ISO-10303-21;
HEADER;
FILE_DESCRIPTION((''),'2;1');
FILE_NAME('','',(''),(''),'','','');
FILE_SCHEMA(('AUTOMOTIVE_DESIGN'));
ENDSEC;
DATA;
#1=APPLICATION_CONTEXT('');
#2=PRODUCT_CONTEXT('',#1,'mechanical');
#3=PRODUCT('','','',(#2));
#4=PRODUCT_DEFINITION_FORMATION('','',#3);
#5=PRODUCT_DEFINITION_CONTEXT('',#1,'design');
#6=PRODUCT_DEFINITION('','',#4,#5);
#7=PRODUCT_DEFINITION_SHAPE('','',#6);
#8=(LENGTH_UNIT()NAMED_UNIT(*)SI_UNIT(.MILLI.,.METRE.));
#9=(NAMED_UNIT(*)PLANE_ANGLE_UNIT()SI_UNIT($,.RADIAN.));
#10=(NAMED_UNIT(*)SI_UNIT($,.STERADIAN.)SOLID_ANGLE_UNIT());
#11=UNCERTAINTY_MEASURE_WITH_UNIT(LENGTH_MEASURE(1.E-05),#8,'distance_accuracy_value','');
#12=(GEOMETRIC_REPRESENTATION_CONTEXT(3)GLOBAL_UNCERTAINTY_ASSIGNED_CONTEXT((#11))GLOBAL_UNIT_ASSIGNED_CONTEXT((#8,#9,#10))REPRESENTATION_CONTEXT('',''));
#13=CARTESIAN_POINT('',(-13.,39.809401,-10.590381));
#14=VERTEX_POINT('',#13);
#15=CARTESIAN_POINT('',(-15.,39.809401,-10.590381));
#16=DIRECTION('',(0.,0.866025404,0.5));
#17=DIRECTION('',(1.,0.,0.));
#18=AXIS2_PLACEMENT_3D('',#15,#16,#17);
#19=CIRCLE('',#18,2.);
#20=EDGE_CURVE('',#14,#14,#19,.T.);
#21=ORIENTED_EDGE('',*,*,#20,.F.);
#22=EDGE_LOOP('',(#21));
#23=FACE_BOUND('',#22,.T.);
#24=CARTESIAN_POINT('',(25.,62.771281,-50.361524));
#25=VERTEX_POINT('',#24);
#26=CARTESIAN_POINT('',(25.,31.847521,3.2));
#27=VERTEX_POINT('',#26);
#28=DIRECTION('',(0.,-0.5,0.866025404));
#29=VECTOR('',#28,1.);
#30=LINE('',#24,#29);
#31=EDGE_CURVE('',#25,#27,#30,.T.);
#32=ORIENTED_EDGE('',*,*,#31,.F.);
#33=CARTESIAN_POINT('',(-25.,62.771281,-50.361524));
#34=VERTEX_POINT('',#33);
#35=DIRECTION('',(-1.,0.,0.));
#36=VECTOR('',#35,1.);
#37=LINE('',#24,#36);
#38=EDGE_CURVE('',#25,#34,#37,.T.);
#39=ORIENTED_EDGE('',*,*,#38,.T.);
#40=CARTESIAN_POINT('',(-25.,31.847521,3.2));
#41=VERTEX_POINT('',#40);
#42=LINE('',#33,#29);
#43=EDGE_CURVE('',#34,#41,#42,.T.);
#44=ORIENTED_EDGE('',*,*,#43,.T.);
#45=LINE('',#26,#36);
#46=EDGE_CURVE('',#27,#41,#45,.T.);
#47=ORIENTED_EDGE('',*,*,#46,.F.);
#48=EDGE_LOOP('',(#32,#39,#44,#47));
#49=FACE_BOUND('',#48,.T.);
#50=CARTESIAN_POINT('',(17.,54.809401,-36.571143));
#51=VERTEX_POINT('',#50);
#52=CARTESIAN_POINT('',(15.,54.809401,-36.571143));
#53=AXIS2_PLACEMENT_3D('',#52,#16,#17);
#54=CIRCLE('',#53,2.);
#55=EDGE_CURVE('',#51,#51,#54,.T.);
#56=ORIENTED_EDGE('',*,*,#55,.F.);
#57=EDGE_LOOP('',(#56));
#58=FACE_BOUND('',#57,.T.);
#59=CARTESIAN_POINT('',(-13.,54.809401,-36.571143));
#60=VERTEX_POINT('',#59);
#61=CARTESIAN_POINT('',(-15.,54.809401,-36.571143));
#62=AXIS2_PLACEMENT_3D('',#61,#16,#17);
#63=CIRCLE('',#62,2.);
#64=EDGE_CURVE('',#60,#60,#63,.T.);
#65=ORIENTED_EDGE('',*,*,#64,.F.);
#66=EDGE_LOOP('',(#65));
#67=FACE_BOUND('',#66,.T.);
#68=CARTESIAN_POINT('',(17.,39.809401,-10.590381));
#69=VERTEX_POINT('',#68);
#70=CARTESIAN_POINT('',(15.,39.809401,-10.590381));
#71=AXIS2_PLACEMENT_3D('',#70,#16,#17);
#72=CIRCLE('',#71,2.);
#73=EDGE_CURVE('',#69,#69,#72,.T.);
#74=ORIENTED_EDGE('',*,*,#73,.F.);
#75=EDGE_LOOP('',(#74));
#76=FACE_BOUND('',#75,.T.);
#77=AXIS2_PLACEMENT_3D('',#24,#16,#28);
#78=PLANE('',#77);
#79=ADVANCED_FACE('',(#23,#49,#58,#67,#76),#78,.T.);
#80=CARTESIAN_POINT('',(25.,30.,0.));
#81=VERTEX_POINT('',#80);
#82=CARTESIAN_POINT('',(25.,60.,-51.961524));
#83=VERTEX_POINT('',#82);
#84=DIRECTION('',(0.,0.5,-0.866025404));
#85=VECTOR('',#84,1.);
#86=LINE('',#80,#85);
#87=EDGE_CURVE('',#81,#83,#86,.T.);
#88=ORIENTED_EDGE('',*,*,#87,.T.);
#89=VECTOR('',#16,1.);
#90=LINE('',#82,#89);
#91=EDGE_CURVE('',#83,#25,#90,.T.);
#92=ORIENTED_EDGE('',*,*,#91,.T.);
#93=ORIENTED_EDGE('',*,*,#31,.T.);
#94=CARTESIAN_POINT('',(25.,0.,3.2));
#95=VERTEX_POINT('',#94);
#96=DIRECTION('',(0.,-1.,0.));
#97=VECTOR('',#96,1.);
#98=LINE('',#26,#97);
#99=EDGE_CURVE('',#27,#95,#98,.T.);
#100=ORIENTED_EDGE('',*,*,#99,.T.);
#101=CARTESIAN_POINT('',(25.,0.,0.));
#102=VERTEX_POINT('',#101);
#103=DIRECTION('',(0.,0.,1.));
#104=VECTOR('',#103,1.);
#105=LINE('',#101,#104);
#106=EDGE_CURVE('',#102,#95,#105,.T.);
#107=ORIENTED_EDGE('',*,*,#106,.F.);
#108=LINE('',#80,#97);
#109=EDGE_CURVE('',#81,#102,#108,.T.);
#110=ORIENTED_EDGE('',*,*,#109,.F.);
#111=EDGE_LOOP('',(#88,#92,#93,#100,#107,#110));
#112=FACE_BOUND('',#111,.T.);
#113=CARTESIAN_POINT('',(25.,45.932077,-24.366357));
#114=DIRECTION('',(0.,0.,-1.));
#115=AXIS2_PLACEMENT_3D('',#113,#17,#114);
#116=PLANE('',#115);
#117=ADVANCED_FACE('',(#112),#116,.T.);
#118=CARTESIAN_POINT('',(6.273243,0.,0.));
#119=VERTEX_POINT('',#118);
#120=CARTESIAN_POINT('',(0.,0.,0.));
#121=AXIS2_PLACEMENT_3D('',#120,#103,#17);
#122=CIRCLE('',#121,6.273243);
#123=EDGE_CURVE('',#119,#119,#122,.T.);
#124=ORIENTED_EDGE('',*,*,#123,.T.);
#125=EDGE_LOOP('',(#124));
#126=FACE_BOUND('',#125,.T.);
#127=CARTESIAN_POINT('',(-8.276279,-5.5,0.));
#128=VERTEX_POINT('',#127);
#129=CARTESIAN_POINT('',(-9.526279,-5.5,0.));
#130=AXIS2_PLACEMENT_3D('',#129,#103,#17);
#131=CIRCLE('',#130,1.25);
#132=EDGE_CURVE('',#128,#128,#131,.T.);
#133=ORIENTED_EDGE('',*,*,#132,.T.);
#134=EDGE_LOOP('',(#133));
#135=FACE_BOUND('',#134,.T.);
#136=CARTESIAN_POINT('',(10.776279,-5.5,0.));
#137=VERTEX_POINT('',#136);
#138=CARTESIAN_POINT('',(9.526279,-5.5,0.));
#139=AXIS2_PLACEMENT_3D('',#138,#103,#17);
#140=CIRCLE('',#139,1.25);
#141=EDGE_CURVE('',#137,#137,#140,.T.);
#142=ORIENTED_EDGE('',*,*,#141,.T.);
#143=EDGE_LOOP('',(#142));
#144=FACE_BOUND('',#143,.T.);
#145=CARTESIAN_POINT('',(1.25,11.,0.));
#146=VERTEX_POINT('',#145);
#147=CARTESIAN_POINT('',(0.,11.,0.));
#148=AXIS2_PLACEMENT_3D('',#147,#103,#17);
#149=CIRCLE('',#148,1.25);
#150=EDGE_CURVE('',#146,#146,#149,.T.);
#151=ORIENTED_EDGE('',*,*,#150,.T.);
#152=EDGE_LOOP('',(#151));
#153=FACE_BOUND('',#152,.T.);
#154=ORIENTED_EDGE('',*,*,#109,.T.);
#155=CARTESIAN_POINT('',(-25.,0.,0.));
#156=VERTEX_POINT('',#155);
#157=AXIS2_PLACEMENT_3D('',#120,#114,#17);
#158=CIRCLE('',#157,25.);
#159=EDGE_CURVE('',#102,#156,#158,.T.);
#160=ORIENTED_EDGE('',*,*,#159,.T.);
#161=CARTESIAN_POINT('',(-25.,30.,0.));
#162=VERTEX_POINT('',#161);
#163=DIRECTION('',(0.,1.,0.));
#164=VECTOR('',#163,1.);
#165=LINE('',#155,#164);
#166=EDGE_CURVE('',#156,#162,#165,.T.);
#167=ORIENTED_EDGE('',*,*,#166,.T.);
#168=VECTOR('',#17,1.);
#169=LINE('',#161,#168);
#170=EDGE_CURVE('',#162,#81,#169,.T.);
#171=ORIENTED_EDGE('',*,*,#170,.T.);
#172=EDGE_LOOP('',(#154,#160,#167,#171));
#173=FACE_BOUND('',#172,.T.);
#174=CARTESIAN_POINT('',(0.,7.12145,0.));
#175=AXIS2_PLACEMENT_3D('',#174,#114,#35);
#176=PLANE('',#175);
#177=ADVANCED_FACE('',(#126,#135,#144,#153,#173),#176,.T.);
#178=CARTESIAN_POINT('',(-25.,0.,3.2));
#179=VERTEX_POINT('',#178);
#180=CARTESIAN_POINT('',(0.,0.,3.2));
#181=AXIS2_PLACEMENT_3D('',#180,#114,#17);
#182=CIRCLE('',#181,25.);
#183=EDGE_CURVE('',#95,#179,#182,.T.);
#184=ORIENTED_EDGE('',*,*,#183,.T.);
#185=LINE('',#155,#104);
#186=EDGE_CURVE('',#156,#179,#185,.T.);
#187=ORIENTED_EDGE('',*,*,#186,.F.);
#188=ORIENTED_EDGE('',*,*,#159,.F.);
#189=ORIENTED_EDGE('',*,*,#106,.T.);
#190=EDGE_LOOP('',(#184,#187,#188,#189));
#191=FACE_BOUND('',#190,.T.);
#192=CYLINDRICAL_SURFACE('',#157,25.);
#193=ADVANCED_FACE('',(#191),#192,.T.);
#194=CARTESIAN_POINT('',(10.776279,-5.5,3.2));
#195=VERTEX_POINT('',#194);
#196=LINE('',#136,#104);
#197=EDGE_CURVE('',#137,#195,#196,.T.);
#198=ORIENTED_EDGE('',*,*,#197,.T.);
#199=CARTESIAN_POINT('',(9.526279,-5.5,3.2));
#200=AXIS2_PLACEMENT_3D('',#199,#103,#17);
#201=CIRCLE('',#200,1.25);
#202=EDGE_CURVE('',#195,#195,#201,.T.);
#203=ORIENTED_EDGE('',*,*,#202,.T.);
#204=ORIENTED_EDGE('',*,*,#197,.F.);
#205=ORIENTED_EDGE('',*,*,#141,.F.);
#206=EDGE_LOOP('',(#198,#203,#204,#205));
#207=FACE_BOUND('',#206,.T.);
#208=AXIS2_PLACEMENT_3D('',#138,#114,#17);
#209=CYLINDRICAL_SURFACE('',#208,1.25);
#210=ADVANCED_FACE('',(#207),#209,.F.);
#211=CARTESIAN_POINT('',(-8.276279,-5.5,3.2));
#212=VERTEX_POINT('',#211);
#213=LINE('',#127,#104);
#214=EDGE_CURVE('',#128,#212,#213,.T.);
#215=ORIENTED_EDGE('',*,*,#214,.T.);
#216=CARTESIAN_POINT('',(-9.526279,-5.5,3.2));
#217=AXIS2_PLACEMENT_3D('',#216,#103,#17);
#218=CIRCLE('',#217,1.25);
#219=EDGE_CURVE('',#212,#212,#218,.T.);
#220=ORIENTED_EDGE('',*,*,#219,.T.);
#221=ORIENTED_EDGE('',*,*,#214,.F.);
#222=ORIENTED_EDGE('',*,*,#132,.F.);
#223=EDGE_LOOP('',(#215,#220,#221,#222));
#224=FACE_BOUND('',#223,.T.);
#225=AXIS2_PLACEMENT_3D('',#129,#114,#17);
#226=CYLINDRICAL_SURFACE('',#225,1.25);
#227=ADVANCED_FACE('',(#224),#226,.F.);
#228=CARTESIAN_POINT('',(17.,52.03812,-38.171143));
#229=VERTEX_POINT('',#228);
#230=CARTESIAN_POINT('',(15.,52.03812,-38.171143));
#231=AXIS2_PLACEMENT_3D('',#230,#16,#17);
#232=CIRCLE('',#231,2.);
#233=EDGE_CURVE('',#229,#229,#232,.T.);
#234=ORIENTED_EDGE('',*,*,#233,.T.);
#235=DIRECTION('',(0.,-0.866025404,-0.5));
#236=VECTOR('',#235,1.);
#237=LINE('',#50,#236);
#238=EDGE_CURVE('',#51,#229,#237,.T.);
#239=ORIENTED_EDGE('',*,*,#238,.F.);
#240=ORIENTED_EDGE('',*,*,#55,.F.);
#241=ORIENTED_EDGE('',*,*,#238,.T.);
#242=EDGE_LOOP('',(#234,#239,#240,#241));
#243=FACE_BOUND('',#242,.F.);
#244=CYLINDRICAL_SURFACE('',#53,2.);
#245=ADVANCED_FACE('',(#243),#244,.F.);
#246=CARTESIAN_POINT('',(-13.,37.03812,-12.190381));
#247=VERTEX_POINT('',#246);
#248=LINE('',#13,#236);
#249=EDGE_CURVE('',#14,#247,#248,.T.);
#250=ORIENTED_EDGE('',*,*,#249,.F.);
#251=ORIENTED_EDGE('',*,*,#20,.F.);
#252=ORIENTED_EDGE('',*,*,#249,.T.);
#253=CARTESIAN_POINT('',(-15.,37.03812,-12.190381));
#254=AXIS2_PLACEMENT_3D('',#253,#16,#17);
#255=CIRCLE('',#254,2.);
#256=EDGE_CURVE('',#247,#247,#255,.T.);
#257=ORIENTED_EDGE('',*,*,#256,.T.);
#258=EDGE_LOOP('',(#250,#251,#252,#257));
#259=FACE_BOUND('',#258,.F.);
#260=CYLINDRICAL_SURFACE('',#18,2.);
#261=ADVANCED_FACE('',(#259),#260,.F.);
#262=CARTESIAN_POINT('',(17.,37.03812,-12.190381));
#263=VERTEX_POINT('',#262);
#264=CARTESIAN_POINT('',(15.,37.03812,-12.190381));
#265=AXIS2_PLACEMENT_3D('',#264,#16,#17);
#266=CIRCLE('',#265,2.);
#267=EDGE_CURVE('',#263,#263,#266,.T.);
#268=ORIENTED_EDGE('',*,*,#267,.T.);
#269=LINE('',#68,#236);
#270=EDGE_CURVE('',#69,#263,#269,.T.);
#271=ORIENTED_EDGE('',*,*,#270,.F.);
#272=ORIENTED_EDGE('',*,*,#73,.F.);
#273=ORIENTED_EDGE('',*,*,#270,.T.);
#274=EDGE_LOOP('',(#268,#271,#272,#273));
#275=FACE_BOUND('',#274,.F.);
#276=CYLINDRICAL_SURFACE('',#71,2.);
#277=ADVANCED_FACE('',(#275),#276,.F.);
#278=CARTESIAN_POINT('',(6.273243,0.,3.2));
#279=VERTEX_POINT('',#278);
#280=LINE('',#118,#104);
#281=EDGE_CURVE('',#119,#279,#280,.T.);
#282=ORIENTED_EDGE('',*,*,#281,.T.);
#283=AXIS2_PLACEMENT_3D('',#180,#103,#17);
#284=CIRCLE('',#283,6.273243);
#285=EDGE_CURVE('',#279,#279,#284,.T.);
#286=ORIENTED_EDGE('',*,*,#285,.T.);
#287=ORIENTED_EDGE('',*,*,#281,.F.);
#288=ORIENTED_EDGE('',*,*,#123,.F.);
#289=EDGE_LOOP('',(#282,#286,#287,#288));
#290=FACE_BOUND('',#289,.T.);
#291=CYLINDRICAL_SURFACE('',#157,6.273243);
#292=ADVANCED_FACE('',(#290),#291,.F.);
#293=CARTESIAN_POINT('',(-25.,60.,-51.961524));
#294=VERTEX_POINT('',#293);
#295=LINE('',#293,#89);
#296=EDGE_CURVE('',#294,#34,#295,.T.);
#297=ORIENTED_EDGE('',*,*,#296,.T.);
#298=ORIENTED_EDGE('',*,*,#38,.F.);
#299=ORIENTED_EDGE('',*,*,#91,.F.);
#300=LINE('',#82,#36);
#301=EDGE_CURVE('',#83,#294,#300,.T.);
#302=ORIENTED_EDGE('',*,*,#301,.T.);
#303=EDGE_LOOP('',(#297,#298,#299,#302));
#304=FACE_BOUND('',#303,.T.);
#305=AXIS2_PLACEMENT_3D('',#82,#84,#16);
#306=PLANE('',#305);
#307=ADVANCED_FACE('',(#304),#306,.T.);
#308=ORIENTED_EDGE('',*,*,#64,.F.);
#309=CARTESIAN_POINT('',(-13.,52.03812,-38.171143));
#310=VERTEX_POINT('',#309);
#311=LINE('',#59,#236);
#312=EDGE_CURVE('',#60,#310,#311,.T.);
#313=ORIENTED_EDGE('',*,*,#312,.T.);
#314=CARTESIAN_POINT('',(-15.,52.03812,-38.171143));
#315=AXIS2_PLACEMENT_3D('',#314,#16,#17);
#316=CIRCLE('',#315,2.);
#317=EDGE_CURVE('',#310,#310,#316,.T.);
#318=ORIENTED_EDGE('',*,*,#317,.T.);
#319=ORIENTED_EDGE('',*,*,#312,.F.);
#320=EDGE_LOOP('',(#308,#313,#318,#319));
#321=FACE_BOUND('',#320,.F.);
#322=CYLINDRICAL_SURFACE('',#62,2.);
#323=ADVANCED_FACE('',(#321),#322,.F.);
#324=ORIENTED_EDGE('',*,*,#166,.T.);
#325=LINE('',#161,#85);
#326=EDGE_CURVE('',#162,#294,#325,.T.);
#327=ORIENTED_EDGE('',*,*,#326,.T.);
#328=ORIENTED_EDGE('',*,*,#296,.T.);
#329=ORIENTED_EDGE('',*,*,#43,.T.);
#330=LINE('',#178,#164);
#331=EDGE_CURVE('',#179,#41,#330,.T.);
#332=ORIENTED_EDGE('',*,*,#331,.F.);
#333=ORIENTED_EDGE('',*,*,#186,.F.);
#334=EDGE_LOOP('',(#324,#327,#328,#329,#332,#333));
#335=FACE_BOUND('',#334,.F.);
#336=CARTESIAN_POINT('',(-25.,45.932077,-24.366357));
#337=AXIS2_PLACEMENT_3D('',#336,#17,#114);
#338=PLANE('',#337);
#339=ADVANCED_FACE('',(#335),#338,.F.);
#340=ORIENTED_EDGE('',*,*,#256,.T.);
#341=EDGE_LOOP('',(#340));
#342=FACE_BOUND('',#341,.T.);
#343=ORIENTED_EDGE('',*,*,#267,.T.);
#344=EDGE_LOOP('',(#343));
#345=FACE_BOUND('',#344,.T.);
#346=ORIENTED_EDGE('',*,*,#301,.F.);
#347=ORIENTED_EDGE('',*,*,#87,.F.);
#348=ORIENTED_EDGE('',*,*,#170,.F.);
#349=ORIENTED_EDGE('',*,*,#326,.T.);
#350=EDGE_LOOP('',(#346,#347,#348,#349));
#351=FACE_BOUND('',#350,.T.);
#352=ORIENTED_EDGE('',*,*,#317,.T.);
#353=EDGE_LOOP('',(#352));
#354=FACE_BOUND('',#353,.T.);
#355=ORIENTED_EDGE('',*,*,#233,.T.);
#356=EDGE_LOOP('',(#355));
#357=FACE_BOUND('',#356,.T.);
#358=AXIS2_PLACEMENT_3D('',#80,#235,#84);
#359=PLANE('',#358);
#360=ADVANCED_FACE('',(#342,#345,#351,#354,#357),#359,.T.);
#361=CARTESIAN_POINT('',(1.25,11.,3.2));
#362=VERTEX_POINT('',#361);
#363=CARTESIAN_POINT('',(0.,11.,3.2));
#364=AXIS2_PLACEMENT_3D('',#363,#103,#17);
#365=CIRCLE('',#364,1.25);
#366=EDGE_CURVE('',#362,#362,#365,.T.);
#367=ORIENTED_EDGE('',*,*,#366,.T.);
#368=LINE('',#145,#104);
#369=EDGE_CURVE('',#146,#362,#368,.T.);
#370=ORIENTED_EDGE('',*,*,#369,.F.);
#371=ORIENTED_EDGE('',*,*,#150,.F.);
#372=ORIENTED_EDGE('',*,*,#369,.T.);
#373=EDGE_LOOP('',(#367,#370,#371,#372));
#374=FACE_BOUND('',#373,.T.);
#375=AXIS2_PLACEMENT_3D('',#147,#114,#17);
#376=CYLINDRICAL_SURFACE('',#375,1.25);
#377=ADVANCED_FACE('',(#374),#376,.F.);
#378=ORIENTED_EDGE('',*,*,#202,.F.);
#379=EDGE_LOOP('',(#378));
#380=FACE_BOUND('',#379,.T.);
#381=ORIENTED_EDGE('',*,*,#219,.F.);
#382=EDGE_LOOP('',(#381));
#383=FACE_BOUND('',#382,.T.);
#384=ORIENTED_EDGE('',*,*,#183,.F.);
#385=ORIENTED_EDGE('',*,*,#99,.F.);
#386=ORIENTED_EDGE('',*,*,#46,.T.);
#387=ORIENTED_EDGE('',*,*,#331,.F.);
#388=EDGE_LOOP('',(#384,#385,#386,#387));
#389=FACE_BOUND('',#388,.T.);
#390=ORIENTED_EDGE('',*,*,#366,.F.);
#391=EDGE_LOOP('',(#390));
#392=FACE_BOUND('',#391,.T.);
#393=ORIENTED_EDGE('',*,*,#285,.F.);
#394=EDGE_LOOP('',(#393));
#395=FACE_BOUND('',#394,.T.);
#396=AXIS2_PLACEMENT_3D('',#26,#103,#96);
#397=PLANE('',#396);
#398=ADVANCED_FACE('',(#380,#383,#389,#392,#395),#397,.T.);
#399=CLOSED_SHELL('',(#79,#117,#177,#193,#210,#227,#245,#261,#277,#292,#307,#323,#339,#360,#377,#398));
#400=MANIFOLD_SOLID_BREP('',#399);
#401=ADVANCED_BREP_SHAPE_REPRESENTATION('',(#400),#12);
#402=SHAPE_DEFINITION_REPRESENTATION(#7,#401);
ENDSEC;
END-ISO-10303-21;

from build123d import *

# Parameters (mm, degrees)
SKETCH1_R           = 6.273243026
SKETCH1_R_2         = 1.25
BOSS_EXTRUDE1_DEPTH = 3.2
BOSS_EXTRUDE2_DEPTH = 50
CUT_EXTRUDE1_REACH  = 78.812
SKETCH3_R           = 2


with BuildPart() as part:
    # Sketch1 → Boss-Extrude1 (new body)
    with BuildSketch(Plane.XY):
        with BuildLine():
            Line((-25, 0), (-25, 30))
            Line((-25, 30), (25, 30))
            Line((25, 30), (25, 0))
            ThreePointArc((25, 0), (0, -25), (-25, 0))
        make_face()
        Circle(SKETCH1_R, mode=Mode.SUBTRACT)
        with Locations((0, 11)):
            Circle(SKETCH1_R_2, mode=Mode.SUBTRACT)
        with Locations((9.526279442, -5.5)):
            Circle(SKETCH1_R_2, mode=Mode.SUBTRACT)
        with Locations((-9.526279442, -5.5)):
            Circle(SKETCH1_R_2, mode=Mode.SUBTRACT)
    extrude(amount=BOSS_EXTRUDE1_DEPTH)

    # Sketch2 → Boss-Extrude2 (add)
    with BuildSketch(Plane(origin=(25, 0, 0), x_dir=(0, 0, -1), z_dir=(1, 0, 0))):
        Polygon((0, 30), (51.961524227, 60), (50.361524227, 62.771281292), (-3.2, 31.847520861), (-3.2, 30), align=None)
    extrude(amount=-BOSS_EXTRUDE2_DEPTH)

    # Sketch3 → Cut-Extrude1 (cut, up to next)
    with BuildSketch(Plane(origin=(0, 25.271281292, 14.590381057), x_dir=(1, 0, 0), z_dir=(0, 0.866025404, 0.5)), mode=Mode.PRIVATE) as cut_extrude1_sk1:
        with Locations((15, 59.076239569)):
            Circle(SKETCH3_R)
    cut_extrude1_tool1 = extrude(cut_extrude1_sk1.sketch, amount=-CUT_EXTRUDE1_REACH, mode=Mode.PRIVATE) & part.part
    add(cut_extrude1_tool1.solids().sort_by_distance((15, 54.809401, -36.571143))[0], mode=Mode.SUBTRACT)
    # Sketch3 → Cut-Extrude1 (cut, up to next)
    with BuildSketch(Plane(origin=(0, 25.271281292, 14.590381057), x_dir=(1, 0, 0), z_dir=(0, 0.866025404, 0.5)), mode=Mode.PRIVATE) as cut_extrude1_sk2:
        with Locations((15, 29.076239569)):
            Circle(SKETCH3_R)
    cut_extrude1_tool2 = extrude(cut_extrude1_sk2.sketch, amount=-CUT_EXTRUDE1_REACH, mode=Mode.PRIVATE) & part.part
    add(cut_extrude1_tool2.solids().sort_by_distance((15, 39.809401, -10.590381))[0], mode=Mode.SUBTRACT)
    # Sketch3 → Cut-Extrude1 (cut, up to next)
    with BuildSketch(Plane(origin=(0, 25.271281292, 14.590381057), x_dir=(1, 0, 0), z_dir=(0, 0.866025404, 0.5)), mode=Mode.PRIVATE) as cut_extrude1_sk3:
        with Locations((-15, 59.076239569)):
            Circle(SKETCH3_R)
    cut_extrude1_tool3 = extrude(cut_extrude1_sk3.sketch, amount=-CUT_EXTRUDE1_REACH, mode=Mode.PRIVATE) & part.part
    add(cut_extrude1_tool3.solids().sort_by_distance((-15, 54.809401, -36.571143))[0], mode=Mode.SUBTRACT)
    # Sketch3 → Cut-Extrude1 (cut, up to next)
    with BuildSketch(Plane(origin=(0, 25.271281292, 14.590381057), x_dir=(1, 0, 0), z_dir=(0, 0.866025404, 0.5)), mode=Mode.PRIVATE) as cut_extrude1_sk4:
        with Locations((-15, 29.076239569)):
            Circle(SKETCH3_R)
    cut_extrude1_tool4 = extrude(cut_extrude1_sk4.sketch, amount=-CUT_EXTRUDE1_REACH, mode=Mode.PRIVATE) & part.part
    add(cut_extrude1_tool4.solids().sort_by_distance((-15, 39.809401, -10.590381))[0], mode=Mode.SUBTRACT)


solid = part.part
